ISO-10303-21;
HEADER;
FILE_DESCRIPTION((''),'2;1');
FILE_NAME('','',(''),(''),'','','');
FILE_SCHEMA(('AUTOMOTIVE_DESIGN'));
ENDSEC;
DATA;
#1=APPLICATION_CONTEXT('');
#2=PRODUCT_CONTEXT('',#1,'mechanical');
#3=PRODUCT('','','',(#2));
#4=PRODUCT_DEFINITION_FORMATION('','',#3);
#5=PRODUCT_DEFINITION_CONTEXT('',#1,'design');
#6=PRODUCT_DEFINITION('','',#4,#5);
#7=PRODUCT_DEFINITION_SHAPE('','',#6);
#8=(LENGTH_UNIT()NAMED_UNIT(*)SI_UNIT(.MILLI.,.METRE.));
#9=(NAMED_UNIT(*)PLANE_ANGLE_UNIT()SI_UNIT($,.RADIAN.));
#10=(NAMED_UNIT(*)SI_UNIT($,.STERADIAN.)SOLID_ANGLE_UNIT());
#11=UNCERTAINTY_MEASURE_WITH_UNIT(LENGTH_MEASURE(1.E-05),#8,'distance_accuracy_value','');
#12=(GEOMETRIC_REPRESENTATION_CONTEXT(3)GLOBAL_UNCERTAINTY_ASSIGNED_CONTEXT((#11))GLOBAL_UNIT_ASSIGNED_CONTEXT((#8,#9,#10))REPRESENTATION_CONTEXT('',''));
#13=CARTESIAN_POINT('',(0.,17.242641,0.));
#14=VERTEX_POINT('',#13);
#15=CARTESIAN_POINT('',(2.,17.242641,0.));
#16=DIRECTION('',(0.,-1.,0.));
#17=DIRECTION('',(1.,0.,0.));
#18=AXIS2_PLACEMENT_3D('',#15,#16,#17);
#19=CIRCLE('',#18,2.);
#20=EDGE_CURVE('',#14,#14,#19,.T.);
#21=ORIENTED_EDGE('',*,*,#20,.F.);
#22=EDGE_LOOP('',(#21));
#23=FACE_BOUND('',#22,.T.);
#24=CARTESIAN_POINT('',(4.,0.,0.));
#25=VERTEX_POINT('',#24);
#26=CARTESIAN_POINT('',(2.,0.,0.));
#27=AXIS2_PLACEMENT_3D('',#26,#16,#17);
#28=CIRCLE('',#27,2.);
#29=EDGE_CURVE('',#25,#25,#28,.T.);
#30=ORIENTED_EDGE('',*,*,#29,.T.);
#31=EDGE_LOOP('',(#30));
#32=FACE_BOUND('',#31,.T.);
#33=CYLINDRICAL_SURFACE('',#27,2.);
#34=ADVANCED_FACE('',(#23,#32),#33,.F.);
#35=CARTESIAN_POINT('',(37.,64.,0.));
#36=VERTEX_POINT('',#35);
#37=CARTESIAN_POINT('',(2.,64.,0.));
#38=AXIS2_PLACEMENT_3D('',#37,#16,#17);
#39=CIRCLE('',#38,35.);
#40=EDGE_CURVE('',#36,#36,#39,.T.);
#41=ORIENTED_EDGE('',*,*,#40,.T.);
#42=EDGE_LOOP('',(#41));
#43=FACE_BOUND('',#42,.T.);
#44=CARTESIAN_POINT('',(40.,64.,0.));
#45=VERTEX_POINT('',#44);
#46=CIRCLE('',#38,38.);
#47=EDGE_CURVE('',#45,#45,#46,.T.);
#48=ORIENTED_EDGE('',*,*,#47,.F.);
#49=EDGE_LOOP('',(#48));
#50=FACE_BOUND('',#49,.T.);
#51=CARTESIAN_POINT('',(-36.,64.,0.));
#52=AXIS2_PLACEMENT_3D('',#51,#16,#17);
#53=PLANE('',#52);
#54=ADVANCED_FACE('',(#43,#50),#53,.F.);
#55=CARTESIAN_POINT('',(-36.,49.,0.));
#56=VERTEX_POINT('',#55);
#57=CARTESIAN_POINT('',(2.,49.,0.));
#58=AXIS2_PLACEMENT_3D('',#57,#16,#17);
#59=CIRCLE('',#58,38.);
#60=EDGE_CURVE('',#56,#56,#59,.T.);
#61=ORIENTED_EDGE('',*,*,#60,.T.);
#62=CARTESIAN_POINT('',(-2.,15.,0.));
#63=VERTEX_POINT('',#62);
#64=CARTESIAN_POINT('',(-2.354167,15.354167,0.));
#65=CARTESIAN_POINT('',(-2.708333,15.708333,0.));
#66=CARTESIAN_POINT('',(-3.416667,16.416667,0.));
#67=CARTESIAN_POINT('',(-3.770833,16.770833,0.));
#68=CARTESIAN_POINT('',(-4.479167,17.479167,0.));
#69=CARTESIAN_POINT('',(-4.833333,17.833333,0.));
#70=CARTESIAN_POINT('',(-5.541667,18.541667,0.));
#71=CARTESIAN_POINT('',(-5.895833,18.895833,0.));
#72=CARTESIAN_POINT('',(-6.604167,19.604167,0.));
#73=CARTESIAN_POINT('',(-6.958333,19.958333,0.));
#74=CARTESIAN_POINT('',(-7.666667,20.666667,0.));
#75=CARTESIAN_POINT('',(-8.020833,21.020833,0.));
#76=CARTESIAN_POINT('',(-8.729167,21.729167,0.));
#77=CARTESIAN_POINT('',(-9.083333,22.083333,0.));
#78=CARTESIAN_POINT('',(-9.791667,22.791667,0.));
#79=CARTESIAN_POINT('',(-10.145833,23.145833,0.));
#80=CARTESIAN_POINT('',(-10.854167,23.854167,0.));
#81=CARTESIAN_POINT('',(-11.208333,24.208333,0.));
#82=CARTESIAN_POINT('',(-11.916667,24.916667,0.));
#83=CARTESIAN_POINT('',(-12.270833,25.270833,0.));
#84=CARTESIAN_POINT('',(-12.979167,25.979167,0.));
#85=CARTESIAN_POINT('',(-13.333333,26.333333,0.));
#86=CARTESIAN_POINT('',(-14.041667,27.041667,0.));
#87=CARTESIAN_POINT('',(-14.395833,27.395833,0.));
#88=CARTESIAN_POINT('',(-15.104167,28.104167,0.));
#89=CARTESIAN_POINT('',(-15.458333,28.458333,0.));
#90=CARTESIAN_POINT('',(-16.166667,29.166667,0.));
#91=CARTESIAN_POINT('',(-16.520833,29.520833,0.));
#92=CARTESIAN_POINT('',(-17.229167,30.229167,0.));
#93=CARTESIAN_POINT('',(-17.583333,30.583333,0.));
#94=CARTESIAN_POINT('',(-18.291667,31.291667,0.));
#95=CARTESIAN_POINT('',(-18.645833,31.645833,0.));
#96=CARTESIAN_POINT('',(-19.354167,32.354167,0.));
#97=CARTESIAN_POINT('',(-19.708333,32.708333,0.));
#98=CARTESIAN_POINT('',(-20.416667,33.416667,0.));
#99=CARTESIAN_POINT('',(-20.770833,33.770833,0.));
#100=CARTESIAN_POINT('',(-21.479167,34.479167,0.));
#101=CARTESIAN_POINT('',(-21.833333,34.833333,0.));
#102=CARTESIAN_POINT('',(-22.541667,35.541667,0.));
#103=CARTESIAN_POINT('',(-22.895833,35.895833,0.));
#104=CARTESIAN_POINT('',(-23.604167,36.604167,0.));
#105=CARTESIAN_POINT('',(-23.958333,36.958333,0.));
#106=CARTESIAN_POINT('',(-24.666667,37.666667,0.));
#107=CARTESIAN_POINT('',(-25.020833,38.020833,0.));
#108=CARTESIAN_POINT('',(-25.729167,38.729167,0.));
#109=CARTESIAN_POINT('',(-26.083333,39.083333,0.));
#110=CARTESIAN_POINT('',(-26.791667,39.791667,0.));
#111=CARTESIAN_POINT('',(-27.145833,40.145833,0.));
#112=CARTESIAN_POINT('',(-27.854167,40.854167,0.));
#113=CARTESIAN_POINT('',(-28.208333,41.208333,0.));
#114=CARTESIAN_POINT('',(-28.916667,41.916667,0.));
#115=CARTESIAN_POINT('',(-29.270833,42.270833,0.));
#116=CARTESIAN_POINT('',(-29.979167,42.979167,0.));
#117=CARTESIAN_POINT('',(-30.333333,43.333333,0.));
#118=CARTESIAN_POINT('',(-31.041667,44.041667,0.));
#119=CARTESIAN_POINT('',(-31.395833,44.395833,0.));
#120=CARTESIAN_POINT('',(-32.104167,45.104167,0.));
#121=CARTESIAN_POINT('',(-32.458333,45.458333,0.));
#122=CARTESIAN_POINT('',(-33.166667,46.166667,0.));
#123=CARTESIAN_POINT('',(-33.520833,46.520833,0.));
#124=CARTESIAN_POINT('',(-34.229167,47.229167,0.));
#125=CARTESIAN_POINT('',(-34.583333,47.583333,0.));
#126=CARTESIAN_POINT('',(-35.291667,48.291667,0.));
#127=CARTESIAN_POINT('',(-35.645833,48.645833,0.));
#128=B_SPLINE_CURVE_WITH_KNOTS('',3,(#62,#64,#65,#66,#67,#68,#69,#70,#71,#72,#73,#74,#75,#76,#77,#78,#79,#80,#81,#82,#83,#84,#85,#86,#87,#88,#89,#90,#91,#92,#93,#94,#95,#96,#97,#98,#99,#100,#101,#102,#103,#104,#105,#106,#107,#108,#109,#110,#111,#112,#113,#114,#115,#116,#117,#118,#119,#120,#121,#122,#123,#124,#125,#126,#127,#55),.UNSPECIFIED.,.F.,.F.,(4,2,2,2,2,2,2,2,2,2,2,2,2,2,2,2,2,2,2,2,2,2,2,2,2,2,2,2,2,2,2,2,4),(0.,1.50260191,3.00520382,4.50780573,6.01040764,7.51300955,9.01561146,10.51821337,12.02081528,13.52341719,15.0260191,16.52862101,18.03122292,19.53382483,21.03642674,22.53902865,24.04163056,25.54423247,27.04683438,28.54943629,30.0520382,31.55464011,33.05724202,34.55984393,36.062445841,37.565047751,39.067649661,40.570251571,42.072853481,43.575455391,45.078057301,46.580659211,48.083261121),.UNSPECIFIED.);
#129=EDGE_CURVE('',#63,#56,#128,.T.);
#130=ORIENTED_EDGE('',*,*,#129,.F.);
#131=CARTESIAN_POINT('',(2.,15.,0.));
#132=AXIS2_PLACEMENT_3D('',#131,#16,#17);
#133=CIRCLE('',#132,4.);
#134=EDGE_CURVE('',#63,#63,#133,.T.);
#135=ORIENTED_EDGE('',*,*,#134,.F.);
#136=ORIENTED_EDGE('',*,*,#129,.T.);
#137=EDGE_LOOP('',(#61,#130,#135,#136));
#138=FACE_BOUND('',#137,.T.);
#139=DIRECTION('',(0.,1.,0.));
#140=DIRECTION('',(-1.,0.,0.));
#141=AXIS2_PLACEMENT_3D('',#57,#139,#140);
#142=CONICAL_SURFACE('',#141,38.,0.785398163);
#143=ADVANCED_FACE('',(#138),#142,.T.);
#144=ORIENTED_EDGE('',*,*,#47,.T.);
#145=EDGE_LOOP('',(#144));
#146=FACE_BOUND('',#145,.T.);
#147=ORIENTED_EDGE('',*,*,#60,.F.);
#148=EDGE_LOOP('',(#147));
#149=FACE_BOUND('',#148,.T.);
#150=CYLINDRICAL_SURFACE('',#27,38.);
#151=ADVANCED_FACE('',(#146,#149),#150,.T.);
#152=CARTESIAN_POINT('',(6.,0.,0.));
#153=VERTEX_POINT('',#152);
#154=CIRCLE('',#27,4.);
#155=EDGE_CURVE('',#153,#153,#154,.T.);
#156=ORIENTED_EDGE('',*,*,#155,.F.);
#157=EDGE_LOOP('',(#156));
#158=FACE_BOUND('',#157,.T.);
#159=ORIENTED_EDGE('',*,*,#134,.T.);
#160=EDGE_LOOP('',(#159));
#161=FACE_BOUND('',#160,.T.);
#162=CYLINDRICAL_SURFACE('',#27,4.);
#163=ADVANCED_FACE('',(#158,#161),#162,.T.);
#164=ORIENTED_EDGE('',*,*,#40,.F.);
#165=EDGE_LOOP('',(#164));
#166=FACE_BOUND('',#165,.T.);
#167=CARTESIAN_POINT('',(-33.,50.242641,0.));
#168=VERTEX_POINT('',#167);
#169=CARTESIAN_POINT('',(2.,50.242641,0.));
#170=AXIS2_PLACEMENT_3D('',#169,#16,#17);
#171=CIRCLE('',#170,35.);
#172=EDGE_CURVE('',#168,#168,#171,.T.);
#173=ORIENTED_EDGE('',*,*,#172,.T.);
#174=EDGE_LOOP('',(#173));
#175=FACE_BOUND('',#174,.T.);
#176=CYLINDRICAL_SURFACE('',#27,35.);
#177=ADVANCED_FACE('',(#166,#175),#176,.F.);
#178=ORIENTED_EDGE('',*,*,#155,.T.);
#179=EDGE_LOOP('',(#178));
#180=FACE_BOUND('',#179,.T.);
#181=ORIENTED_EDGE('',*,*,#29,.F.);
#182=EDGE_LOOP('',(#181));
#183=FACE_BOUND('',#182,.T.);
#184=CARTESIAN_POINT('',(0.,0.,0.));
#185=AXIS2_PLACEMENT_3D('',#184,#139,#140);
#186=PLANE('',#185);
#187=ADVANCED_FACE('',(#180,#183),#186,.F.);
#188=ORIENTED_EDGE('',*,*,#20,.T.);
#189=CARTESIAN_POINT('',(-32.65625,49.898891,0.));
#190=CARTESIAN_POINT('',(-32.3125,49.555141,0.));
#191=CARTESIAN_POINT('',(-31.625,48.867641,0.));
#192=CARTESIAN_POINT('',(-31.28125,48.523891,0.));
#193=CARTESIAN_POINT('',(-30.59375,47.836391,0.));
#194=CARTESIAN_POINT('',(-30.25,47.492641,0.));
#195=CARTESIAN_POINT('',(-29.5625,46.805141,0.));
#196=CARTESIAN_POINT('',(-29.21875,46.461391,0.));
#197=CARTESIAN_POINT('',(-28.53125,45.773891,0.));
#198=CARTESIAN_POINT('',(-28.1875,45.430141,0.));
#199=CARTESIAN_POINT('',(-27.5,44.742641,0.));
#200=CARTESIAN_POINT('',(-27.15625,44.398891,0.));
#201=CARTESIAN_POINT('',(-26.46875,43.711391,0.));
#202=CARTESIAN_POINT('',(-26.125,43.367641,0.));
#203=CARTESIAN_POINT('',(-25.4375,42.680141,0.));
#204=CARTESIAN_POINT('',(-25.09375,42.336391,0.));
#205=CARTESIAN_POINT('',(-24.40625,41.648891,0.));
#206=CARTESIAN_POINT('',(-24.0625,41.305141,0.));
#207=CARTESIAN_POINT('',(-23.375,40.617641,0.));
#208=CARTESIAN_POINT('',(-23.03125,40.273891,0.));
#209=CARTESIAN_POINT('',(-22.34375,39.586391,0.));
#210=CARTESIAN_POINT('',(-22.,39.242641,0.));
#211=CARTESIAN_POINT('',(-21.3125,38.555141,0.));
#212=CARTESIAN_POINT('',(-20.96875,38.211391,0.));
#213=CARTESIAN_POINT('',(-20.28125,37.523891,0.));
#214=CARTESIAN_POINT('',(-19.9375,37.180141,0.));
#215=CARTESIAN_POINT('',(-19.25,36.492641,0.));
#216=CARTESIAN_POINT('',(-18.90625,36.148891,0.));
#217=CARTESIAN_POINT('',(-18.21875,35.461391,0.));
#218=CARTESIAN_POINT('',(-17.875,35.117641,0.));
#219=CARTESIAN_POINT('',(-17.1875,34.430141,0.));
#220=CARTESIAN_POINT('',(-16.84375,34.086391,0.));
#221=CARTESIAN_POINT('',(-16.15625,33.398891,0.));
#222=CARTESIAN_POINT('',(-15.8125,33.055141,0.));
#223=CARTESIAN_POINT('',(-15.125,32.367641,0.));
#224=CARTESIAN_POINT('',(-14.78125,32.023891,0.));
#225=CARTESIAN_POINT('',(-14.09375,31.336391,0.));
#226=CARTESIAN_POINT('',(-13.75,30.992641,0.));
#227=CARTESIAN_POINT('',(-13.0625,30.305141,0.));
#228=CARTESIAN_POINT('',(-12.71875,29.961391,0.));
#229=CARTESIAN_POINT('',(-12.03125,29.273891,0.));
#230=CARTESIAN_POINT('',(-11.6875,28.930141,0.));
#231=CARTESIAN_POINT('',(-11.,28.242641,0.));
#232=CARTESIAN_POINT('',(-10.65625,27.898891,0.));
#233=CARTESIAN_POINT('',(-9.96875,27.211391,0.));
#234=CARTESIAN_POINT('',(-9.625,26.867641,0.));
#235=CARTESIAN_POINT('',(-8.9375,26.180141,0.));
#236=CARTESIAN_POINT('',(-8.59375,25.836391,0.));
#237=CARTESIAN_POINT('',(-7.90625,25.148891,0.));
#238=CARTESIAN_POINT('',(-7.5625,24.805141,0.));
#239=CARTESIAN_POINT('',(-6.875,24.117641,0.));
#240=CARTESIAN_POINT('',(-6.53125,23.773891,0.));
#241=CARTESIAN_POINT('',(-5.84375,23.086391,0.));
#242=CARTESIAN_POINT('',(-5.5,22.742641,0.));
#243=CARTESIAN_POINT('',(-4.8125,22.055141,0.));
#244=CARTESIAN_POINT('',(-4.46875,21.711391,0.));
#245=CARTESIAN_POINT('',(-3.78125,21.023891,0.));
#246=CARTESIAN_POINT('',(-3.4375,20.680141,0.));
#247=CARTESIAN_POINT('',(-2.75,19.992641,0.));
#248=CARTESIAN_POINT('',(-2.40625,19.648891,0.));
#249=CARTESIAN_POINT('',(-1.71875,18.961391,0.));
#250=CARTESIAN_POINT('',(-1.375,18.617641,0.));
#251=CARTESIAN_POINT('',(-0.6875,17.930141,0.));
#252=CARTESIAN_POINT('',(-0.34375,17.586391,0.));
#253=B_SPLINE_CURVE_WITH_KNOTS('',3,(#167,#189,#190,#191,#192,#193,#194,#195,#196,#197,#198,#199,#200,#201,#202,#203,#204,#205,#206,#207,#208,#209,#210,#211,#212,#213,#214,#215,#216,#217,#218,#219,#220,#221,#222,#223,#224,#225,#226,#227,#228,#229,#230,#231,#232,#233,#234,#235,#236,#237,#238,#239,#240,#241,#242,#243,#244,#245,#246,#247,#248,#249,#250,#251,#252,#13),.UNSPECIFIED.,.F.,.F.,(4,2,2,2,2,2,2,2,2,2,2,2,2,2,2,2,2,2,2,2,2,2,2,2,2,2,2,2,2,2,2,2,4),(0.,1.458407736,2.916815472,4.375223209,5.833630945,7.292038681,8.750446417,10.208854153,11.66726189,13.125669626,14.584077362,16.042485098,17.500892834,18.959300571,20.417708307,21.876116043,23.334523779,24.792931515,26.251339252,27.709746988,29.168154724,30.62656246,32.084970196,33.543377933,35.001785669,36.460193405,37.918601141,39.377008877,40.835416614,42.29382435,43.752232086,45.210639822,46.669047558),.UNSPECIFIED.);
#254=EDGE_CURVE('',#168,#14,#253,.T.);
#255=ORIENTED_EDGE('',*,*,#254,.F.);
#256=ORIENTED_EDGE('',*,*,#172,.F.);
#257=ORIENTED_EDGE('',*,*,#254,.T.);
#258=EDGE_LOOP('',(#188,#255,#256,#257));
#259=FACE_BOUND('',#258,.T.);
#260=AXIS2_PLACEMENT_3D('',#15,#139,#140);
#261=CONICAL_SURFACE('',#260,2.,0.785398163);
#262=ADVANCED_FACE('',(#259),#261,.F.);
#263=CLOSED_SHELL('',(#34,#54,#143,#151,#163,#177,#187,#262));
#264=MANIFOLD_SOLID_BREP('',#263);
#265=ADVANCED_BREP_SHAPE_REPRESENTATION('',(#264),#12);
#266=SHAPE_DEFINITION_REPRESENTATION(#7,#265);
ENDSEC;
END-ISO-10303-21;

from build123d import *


with BuildPart() as part:
    # basis → roteren (revolve)
    with BuildSketch(Plane.XY, mode=Mode.PRIVATE) as roteren_sk:
        Polygon((-2, 0), (-2, 15), (-36, 49), (-36, 64), (-33, 64), (-33, 50.242640687), (0, 17.242640687), (0, 0), align=None)
    revolve(roteren_sk.sketch.rotate(Axis((2, 0, 0), (0, 1, 0)), 180), axis=Axis((2, 0, 0), (0, 1, 0)))


solid = part.part
